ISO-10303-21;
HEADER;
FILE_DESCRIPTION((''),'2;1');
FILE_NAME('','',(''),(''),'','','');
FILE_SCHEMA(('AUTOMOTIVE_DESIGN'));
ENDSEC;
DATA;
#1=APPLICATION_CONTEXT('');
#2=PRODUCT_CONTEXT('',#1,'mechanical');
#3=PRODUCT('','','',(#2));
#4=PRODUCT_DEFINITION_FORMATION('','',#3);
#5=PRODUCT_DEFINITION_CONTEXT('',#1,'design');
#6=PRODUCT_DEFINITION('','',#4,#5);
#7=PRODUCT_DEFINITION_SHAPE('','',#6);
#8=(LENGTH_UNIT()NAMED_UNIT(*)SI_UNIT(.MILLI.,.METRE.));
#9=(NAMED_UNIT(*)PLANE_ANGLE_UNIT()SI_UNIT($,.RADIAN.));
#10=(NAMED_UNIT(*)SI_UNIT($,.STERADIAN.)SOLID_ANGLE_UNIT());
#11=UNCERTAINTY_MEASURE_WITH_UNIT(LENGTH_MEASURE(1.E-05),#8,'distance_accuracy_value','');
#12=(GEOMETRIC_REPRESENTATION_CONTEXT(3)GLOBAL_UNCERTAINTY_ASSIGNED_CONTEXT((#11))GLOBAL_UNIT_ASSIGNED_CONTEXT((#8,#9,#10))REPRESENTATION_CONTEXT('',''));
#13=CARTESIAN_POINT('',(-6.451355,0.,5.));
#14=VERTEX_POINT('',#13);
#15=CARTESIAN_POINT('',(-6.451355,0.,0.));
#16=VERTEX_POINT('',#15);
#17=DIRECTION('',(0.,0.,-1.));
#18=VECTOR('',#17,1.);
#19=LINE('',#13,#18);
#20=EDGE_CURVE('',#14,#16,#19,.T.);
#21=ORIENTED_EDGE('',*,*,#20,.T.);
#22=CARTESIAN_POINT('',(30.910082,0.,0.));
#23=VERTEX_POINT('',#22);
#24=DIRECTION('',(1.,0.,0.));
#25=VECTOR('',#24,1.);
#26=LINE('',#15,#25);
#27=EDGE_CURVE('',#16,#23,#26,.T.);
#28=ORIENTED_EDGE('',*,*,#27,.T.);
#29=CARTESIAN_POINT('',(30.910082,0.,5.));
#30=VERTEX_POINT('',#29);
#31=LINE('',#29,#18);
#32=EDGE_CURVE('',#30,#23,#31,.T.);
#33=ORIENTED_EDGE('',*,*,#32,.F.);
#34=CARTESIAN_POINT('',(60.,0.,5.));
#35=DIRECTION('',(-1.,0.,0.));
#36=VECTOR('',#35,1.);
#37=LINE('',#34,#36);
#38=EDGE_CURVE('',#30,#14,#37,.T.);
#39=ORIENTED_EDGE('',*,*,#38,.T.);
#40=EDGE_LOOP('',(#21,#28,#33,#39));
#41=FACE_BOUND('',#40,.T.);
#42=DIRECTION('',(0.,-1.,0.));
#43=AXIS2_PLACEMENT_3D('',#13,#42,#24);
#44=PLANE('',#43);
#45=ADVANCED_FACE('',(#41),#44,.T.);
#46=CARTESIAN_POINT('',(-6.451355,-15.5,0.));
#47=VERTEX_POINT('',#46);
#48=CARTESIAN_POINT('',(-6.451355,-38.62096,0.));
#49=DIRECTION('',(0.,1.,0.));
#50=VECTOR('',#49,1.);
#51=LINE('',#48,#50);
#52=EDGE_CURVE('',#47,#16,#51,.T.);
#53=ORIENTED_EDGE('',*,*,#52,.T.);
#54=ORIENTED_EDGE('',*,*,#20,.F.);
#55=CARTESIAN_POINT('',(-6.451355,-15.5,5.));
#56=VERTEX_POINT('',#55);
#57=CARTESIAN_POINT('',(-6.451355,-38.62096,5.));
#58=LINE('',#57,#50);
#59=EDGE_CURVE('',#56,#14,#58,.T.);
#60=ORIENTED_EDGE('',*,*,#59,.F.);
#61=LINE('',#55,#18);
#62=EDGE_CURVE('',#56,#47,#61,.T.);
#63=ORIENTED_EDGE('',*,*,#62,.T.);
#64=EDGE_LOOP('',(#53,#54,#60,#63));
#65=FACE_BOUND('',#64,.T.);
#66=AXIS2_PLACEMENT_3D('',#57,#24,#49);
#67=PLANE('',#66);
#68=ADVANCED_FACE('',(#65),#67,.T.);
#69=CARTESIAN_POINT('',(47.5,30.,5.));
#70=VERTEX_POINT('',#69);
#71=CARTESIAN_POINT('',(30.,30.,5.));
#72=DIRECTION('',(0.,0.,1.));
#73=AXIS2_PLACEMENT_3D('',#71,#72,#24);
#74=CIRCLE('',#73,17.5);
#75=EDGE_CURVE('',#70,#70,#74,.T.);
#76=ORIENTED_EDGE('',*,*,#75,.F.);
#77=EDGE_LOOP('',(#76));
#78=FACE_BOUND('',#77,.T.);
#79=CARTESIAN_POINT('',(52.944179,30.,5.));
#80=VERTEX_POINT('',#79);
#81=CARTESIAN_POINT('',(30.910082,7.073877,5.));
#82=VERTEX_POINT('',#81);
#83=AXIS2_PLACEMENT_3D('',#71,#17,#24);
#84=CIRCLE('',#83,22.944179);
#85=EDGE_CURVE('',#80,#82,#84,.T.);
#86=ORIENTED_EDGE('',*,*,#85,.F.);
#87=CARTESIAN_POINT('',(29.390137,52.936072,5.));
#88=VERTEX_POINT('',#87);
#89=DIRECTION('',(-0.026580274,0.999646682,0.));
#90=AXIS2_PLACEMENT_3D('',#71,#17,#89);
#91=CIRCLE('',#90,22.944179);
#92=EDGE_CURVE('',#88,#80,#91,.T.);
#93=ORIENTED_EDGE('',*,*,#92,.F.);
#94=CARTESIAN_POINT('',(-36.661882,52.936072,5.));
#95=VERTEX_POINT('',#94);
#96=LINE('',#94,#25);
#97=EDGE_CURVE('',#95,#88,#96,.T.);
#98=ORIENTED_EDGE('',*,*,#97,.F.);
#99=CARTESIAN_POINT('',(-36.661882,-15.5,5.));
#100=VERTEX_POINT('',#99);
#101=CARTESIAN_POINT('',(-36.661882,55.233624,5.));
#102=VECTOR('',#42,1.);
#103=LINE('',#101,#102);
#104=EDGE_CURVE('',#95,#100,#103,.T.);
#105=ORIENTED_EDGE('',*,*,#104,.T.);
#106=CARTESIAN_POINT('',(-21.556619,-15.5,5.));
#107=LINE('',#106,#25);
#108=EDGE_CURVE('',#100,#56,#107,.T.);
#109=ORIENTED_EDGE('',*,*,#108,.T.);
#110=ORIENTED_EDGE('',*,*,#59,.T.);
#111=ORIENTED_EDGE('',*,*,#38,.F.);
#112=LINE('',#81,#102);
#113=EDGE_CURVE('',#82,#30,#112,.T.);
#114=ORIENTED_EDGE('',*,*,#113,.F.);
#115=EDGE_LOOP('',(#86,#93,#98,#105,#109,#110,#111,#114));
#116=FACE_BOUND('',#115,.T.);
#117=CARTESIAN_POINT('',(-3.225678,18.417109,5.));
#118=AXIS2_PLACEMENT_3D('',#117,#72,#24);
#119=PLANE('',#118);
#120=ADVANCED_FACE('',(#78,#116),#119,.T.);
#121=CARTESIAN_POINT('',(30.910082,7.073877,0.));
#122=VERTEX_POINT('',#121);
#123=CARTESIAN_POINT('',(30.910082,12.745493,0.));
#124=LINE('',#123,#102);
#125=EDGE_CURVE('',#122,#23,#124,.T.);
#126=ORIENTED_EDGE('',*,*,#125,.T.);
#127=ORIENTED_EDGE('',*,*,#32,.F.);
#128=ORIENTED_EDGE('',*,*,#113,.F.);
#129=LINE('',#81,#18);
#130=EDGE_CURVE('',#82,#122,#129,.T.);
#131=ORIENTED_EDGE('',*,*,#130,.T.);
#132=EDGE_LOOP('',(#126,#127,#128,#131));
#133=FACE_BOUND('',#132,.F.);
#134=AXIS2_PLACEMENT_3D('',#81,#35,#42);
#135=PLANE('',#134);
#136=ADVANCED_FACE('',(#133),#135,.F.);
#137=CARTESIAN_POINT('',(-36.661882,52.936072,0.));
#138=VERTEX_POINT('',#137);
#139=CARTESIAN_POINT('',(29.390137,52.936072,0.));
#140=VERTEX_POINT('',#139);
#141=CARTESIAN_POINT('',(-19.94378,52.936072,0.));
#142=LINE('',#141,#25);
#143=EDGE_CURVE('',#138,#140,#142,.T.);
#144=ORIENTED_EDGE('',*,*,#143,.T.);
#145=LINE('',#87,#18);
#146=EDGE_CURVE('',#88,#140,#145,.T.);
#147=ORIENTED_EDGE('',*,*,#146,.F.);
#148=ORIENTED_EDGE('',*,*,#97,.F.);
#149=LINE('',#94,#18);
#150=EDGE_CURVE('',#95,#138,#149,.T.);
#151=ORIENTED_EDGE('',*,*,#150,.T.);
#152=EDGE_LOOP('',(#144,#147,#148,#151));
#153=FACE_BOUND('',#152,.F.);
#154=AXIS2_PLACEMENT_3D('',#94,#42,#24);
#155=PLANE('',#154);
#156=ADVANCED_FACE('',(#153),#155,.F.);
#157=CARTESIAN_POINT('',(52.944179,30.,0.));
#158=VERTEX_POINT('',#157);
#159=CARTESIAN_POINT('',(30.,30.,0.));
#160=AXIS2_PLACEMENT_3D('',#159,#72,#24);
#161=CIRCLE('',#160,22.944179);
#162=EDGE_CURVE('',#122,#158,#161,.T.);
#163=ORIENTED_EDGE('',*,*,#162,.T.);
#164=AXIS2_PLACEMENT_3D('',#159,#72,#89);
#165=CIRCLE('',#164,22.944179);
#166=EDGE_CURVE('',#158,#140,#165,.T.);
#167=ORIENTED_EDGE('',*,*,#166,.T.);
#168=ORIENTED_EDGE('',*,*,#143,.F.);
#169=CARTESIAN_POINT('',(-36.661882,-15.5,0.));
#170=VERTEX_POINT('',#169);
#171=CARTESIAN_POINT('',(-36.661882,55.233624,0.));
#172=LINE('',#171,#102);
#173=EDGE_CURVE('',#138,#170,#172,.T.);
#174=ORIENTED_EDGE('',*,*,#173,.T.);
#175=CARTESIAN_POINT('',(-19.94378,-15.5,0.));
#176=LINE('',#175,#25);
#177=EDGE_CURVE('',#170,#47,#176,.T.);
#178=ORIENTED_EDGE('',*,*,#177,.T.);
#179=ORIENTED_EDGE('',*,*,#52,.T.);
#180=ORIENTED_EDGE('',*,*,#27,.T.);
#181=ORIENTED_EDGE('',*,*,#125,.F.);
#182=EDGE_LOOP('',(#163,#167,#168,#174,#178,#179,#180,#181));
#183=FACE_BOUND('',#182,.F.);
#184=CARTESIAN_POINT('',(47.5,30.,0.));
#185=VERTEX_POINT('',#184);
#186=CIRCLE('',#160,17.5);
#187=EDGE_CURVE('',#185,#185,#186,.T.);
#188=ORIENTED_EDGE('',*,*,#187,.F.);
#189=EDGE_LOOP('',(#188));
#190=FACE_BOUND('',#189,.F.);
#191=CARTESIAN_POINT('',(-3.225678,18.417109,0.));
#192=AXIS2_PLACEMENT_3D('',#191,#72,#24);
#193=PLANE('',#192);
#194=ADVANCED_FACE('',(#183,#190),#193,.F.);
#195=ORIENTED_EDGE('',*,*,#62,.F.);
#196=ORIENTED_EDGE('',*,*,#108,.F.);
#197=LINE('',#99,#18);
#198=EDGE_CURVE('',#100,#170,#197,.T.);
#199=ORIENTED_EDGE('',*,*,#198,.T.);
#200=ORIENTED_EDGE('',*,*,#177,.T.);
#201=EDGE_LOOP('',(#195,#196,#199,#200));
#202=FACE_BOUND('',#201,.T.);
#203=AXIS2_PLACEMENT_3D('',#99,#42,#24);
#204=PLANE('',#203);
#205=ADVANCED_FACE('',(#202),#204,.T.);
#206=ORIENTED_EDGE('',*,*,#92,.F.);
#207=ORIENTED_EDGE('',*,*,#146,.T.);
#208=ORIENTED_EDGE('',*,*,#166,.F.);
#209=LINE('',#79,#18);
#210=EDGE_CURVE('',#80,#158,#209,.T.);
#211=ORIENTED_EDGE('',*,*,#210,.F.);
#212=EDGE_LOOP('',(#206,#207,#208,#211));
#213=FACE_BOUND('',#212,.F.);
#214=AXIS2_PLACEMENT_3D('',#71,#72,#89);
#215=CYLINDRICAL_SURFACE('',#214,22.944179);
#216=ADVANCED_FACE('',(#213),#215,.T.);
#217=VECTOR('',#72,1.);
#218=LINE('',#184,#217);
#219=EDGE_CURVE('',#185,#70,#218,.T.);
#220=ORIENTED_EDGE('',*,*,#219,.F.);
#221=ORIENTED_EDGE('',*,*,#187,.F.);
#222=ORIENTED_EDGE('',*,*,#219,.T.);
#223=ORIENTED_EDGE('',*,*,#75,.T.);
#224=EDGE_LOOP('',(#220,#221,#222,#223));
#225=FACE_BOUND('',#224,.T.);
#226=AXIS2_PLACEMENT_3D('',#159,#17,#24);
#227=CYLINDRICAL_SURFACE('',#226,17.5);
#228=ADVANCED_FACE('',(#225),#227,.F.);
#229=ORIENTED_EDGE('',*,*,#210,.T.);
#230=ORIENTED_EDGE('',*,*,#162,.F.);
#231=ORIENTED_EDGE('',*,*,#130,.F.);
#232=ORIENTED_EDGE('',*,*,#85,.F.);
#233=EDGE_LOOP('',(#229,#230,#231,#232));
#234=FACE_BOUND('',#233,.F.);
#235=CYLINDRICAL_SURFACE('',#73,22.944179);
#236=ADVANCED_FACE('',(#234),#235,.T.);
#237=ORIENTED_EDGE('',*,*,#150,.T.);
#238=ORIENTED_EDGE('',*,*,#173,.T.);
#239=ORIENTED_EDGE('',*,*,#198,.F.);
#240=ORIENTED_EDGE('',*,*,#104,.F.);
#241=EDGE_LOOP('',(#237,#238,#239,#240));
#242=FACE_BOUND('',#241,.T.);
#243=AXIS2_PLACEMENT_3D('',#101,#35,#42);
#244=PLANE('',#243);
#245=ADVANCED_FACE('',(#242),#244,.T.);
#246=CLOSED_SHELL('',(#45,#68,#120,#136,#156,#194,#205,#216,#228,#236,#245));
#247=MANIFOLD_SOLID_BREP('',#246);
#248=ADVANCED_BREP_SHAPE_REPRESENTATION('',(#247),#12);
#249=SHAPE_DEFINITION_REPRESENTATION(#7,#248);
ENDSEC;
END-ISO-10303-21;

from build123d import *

# Parameters (mm, degrees)
F0_R     = 17.5
F1_DEPTH = 5
F2_W     = 6.4513552934
F2_H     = 36.834217608
F3_DEPTH = 5
F4_W     = 12.2471041977
F4_H     = 55.2336238325
F5_DEPTH = 25
F7_DEPTH = 25
F8_W     = 30.2105266601
F8_H     = 23.1209599674
F9_DEPTH = 25


with BuildPart() as f1:
    # F0 (on Top) → F1 (new body)
    with BuildSketch(Plane.XY):
        with BuildLine():
            Line((0, 50.2336238325), (0, 0))
            Line((0, 0), (60, 0))
            Line((60, 0), (60, 50.2336238325))
            ThreePointArc((60, 50.2336238325), (58.5355339059, 53.7691577384), (55, 55.2336238325))
            Line((55, 55.2336238325), (5, 55.2336238325))
            ThreePointArc((5, 55.2336238325), (1.4644660941, 53.7691577384), (0, 50.2336238325))
        make_face()
        with Locations((30, 30)):
            Circle(F0_R, mode=Mode.SUBTRACT)
    extrude(amount=F1_DEPTH)

    # F2 (on face) → F3 (join)
    with BuildSketch(Plane.XY.offset(5)):
        with Locations((-3.2256776467, 18.417108804)):
            Rectangle(F2_W, F2_H)
        with BuildLine():
            Line((-6.4513552934, 36.834217608), (0, 36.834217608))
            Line((0, 36.834217608), (0, 50.2336238325))
            ThreePointArc((0, 50.2336238325), (1.4644660941, 53.7691577384), (5, 55.2336238325))
            Line((5, 55.2336238325), (-36.6618819535, 55.2336238325))
            Line((-36.6618819535, 55.2336238325), (-36.6618819535, -38.6209599674))
            Line((-36.6618819535, -38.6209599674), (-6.4513552934, -38.6209599674))
            Line((-6.4513552934, -38.6209599674), (-6.4513552934, 0))
            Line((-6.4513552934, 0), (-6.4513552934, 36.834217608))
        make_face()
    extrude(amount=-F3_DEPTH)

    # F4 (on face) → F5 (cut)
    with BuildSketch(Plane.XY.offset(5)):
        with Locations((60.3161063045, 27.6168119162)):
            Rectangle(F4_W, F4_H)
    extrude(amount=-F5_DEPTH, mode=Mode.SUBTRACT)

    # F6 (on face) → F7 (cut)
    with BuildSketch(Plane.XY.offset(5)):
        with BuildLine():
            ThreePointArc((29.3901374458, 52.9360723045), (46.0069133431, 46.4381893869), (52.9441788934, 30))
            ThreePointArc((52.9441788934, 30), (46.542618257, 14.1010337978), (30.910082361, 7.0738774498))
            Line((30.910082361, 7.0738774498), (30.910082361, 0))
            Line((30.910082361, 0), (54.1925542057, 0))
            Line((54.1925542057, 0), (54.1925542057, 55.2336238325))
            Line((54.1925542057, 55.2336238325), (-36.6618819535, 55.2336238325))
            Line((-36.6618819535, 55.2336238325), (-36.6618819535, 52.9360723045))
            Line((-36.6618819535, 52.9360723045), (29.3901374458, 52.9360723045))
        make_face()
    extrude(amount=-F7_DEPTH, mode=Mode.SUBTRACT)

    # F8 (on face) → F9 (cut)
    with BuildSketch(Plane.XY.offset(5)):
        with Locations((-21.5566186234, -27.0604799837)):
            Rectangle(F8_W, F8_H)
    extrude(amount=-F9_DEPTH, mode=Mode.SUBTRACT)


solid = f1.part
